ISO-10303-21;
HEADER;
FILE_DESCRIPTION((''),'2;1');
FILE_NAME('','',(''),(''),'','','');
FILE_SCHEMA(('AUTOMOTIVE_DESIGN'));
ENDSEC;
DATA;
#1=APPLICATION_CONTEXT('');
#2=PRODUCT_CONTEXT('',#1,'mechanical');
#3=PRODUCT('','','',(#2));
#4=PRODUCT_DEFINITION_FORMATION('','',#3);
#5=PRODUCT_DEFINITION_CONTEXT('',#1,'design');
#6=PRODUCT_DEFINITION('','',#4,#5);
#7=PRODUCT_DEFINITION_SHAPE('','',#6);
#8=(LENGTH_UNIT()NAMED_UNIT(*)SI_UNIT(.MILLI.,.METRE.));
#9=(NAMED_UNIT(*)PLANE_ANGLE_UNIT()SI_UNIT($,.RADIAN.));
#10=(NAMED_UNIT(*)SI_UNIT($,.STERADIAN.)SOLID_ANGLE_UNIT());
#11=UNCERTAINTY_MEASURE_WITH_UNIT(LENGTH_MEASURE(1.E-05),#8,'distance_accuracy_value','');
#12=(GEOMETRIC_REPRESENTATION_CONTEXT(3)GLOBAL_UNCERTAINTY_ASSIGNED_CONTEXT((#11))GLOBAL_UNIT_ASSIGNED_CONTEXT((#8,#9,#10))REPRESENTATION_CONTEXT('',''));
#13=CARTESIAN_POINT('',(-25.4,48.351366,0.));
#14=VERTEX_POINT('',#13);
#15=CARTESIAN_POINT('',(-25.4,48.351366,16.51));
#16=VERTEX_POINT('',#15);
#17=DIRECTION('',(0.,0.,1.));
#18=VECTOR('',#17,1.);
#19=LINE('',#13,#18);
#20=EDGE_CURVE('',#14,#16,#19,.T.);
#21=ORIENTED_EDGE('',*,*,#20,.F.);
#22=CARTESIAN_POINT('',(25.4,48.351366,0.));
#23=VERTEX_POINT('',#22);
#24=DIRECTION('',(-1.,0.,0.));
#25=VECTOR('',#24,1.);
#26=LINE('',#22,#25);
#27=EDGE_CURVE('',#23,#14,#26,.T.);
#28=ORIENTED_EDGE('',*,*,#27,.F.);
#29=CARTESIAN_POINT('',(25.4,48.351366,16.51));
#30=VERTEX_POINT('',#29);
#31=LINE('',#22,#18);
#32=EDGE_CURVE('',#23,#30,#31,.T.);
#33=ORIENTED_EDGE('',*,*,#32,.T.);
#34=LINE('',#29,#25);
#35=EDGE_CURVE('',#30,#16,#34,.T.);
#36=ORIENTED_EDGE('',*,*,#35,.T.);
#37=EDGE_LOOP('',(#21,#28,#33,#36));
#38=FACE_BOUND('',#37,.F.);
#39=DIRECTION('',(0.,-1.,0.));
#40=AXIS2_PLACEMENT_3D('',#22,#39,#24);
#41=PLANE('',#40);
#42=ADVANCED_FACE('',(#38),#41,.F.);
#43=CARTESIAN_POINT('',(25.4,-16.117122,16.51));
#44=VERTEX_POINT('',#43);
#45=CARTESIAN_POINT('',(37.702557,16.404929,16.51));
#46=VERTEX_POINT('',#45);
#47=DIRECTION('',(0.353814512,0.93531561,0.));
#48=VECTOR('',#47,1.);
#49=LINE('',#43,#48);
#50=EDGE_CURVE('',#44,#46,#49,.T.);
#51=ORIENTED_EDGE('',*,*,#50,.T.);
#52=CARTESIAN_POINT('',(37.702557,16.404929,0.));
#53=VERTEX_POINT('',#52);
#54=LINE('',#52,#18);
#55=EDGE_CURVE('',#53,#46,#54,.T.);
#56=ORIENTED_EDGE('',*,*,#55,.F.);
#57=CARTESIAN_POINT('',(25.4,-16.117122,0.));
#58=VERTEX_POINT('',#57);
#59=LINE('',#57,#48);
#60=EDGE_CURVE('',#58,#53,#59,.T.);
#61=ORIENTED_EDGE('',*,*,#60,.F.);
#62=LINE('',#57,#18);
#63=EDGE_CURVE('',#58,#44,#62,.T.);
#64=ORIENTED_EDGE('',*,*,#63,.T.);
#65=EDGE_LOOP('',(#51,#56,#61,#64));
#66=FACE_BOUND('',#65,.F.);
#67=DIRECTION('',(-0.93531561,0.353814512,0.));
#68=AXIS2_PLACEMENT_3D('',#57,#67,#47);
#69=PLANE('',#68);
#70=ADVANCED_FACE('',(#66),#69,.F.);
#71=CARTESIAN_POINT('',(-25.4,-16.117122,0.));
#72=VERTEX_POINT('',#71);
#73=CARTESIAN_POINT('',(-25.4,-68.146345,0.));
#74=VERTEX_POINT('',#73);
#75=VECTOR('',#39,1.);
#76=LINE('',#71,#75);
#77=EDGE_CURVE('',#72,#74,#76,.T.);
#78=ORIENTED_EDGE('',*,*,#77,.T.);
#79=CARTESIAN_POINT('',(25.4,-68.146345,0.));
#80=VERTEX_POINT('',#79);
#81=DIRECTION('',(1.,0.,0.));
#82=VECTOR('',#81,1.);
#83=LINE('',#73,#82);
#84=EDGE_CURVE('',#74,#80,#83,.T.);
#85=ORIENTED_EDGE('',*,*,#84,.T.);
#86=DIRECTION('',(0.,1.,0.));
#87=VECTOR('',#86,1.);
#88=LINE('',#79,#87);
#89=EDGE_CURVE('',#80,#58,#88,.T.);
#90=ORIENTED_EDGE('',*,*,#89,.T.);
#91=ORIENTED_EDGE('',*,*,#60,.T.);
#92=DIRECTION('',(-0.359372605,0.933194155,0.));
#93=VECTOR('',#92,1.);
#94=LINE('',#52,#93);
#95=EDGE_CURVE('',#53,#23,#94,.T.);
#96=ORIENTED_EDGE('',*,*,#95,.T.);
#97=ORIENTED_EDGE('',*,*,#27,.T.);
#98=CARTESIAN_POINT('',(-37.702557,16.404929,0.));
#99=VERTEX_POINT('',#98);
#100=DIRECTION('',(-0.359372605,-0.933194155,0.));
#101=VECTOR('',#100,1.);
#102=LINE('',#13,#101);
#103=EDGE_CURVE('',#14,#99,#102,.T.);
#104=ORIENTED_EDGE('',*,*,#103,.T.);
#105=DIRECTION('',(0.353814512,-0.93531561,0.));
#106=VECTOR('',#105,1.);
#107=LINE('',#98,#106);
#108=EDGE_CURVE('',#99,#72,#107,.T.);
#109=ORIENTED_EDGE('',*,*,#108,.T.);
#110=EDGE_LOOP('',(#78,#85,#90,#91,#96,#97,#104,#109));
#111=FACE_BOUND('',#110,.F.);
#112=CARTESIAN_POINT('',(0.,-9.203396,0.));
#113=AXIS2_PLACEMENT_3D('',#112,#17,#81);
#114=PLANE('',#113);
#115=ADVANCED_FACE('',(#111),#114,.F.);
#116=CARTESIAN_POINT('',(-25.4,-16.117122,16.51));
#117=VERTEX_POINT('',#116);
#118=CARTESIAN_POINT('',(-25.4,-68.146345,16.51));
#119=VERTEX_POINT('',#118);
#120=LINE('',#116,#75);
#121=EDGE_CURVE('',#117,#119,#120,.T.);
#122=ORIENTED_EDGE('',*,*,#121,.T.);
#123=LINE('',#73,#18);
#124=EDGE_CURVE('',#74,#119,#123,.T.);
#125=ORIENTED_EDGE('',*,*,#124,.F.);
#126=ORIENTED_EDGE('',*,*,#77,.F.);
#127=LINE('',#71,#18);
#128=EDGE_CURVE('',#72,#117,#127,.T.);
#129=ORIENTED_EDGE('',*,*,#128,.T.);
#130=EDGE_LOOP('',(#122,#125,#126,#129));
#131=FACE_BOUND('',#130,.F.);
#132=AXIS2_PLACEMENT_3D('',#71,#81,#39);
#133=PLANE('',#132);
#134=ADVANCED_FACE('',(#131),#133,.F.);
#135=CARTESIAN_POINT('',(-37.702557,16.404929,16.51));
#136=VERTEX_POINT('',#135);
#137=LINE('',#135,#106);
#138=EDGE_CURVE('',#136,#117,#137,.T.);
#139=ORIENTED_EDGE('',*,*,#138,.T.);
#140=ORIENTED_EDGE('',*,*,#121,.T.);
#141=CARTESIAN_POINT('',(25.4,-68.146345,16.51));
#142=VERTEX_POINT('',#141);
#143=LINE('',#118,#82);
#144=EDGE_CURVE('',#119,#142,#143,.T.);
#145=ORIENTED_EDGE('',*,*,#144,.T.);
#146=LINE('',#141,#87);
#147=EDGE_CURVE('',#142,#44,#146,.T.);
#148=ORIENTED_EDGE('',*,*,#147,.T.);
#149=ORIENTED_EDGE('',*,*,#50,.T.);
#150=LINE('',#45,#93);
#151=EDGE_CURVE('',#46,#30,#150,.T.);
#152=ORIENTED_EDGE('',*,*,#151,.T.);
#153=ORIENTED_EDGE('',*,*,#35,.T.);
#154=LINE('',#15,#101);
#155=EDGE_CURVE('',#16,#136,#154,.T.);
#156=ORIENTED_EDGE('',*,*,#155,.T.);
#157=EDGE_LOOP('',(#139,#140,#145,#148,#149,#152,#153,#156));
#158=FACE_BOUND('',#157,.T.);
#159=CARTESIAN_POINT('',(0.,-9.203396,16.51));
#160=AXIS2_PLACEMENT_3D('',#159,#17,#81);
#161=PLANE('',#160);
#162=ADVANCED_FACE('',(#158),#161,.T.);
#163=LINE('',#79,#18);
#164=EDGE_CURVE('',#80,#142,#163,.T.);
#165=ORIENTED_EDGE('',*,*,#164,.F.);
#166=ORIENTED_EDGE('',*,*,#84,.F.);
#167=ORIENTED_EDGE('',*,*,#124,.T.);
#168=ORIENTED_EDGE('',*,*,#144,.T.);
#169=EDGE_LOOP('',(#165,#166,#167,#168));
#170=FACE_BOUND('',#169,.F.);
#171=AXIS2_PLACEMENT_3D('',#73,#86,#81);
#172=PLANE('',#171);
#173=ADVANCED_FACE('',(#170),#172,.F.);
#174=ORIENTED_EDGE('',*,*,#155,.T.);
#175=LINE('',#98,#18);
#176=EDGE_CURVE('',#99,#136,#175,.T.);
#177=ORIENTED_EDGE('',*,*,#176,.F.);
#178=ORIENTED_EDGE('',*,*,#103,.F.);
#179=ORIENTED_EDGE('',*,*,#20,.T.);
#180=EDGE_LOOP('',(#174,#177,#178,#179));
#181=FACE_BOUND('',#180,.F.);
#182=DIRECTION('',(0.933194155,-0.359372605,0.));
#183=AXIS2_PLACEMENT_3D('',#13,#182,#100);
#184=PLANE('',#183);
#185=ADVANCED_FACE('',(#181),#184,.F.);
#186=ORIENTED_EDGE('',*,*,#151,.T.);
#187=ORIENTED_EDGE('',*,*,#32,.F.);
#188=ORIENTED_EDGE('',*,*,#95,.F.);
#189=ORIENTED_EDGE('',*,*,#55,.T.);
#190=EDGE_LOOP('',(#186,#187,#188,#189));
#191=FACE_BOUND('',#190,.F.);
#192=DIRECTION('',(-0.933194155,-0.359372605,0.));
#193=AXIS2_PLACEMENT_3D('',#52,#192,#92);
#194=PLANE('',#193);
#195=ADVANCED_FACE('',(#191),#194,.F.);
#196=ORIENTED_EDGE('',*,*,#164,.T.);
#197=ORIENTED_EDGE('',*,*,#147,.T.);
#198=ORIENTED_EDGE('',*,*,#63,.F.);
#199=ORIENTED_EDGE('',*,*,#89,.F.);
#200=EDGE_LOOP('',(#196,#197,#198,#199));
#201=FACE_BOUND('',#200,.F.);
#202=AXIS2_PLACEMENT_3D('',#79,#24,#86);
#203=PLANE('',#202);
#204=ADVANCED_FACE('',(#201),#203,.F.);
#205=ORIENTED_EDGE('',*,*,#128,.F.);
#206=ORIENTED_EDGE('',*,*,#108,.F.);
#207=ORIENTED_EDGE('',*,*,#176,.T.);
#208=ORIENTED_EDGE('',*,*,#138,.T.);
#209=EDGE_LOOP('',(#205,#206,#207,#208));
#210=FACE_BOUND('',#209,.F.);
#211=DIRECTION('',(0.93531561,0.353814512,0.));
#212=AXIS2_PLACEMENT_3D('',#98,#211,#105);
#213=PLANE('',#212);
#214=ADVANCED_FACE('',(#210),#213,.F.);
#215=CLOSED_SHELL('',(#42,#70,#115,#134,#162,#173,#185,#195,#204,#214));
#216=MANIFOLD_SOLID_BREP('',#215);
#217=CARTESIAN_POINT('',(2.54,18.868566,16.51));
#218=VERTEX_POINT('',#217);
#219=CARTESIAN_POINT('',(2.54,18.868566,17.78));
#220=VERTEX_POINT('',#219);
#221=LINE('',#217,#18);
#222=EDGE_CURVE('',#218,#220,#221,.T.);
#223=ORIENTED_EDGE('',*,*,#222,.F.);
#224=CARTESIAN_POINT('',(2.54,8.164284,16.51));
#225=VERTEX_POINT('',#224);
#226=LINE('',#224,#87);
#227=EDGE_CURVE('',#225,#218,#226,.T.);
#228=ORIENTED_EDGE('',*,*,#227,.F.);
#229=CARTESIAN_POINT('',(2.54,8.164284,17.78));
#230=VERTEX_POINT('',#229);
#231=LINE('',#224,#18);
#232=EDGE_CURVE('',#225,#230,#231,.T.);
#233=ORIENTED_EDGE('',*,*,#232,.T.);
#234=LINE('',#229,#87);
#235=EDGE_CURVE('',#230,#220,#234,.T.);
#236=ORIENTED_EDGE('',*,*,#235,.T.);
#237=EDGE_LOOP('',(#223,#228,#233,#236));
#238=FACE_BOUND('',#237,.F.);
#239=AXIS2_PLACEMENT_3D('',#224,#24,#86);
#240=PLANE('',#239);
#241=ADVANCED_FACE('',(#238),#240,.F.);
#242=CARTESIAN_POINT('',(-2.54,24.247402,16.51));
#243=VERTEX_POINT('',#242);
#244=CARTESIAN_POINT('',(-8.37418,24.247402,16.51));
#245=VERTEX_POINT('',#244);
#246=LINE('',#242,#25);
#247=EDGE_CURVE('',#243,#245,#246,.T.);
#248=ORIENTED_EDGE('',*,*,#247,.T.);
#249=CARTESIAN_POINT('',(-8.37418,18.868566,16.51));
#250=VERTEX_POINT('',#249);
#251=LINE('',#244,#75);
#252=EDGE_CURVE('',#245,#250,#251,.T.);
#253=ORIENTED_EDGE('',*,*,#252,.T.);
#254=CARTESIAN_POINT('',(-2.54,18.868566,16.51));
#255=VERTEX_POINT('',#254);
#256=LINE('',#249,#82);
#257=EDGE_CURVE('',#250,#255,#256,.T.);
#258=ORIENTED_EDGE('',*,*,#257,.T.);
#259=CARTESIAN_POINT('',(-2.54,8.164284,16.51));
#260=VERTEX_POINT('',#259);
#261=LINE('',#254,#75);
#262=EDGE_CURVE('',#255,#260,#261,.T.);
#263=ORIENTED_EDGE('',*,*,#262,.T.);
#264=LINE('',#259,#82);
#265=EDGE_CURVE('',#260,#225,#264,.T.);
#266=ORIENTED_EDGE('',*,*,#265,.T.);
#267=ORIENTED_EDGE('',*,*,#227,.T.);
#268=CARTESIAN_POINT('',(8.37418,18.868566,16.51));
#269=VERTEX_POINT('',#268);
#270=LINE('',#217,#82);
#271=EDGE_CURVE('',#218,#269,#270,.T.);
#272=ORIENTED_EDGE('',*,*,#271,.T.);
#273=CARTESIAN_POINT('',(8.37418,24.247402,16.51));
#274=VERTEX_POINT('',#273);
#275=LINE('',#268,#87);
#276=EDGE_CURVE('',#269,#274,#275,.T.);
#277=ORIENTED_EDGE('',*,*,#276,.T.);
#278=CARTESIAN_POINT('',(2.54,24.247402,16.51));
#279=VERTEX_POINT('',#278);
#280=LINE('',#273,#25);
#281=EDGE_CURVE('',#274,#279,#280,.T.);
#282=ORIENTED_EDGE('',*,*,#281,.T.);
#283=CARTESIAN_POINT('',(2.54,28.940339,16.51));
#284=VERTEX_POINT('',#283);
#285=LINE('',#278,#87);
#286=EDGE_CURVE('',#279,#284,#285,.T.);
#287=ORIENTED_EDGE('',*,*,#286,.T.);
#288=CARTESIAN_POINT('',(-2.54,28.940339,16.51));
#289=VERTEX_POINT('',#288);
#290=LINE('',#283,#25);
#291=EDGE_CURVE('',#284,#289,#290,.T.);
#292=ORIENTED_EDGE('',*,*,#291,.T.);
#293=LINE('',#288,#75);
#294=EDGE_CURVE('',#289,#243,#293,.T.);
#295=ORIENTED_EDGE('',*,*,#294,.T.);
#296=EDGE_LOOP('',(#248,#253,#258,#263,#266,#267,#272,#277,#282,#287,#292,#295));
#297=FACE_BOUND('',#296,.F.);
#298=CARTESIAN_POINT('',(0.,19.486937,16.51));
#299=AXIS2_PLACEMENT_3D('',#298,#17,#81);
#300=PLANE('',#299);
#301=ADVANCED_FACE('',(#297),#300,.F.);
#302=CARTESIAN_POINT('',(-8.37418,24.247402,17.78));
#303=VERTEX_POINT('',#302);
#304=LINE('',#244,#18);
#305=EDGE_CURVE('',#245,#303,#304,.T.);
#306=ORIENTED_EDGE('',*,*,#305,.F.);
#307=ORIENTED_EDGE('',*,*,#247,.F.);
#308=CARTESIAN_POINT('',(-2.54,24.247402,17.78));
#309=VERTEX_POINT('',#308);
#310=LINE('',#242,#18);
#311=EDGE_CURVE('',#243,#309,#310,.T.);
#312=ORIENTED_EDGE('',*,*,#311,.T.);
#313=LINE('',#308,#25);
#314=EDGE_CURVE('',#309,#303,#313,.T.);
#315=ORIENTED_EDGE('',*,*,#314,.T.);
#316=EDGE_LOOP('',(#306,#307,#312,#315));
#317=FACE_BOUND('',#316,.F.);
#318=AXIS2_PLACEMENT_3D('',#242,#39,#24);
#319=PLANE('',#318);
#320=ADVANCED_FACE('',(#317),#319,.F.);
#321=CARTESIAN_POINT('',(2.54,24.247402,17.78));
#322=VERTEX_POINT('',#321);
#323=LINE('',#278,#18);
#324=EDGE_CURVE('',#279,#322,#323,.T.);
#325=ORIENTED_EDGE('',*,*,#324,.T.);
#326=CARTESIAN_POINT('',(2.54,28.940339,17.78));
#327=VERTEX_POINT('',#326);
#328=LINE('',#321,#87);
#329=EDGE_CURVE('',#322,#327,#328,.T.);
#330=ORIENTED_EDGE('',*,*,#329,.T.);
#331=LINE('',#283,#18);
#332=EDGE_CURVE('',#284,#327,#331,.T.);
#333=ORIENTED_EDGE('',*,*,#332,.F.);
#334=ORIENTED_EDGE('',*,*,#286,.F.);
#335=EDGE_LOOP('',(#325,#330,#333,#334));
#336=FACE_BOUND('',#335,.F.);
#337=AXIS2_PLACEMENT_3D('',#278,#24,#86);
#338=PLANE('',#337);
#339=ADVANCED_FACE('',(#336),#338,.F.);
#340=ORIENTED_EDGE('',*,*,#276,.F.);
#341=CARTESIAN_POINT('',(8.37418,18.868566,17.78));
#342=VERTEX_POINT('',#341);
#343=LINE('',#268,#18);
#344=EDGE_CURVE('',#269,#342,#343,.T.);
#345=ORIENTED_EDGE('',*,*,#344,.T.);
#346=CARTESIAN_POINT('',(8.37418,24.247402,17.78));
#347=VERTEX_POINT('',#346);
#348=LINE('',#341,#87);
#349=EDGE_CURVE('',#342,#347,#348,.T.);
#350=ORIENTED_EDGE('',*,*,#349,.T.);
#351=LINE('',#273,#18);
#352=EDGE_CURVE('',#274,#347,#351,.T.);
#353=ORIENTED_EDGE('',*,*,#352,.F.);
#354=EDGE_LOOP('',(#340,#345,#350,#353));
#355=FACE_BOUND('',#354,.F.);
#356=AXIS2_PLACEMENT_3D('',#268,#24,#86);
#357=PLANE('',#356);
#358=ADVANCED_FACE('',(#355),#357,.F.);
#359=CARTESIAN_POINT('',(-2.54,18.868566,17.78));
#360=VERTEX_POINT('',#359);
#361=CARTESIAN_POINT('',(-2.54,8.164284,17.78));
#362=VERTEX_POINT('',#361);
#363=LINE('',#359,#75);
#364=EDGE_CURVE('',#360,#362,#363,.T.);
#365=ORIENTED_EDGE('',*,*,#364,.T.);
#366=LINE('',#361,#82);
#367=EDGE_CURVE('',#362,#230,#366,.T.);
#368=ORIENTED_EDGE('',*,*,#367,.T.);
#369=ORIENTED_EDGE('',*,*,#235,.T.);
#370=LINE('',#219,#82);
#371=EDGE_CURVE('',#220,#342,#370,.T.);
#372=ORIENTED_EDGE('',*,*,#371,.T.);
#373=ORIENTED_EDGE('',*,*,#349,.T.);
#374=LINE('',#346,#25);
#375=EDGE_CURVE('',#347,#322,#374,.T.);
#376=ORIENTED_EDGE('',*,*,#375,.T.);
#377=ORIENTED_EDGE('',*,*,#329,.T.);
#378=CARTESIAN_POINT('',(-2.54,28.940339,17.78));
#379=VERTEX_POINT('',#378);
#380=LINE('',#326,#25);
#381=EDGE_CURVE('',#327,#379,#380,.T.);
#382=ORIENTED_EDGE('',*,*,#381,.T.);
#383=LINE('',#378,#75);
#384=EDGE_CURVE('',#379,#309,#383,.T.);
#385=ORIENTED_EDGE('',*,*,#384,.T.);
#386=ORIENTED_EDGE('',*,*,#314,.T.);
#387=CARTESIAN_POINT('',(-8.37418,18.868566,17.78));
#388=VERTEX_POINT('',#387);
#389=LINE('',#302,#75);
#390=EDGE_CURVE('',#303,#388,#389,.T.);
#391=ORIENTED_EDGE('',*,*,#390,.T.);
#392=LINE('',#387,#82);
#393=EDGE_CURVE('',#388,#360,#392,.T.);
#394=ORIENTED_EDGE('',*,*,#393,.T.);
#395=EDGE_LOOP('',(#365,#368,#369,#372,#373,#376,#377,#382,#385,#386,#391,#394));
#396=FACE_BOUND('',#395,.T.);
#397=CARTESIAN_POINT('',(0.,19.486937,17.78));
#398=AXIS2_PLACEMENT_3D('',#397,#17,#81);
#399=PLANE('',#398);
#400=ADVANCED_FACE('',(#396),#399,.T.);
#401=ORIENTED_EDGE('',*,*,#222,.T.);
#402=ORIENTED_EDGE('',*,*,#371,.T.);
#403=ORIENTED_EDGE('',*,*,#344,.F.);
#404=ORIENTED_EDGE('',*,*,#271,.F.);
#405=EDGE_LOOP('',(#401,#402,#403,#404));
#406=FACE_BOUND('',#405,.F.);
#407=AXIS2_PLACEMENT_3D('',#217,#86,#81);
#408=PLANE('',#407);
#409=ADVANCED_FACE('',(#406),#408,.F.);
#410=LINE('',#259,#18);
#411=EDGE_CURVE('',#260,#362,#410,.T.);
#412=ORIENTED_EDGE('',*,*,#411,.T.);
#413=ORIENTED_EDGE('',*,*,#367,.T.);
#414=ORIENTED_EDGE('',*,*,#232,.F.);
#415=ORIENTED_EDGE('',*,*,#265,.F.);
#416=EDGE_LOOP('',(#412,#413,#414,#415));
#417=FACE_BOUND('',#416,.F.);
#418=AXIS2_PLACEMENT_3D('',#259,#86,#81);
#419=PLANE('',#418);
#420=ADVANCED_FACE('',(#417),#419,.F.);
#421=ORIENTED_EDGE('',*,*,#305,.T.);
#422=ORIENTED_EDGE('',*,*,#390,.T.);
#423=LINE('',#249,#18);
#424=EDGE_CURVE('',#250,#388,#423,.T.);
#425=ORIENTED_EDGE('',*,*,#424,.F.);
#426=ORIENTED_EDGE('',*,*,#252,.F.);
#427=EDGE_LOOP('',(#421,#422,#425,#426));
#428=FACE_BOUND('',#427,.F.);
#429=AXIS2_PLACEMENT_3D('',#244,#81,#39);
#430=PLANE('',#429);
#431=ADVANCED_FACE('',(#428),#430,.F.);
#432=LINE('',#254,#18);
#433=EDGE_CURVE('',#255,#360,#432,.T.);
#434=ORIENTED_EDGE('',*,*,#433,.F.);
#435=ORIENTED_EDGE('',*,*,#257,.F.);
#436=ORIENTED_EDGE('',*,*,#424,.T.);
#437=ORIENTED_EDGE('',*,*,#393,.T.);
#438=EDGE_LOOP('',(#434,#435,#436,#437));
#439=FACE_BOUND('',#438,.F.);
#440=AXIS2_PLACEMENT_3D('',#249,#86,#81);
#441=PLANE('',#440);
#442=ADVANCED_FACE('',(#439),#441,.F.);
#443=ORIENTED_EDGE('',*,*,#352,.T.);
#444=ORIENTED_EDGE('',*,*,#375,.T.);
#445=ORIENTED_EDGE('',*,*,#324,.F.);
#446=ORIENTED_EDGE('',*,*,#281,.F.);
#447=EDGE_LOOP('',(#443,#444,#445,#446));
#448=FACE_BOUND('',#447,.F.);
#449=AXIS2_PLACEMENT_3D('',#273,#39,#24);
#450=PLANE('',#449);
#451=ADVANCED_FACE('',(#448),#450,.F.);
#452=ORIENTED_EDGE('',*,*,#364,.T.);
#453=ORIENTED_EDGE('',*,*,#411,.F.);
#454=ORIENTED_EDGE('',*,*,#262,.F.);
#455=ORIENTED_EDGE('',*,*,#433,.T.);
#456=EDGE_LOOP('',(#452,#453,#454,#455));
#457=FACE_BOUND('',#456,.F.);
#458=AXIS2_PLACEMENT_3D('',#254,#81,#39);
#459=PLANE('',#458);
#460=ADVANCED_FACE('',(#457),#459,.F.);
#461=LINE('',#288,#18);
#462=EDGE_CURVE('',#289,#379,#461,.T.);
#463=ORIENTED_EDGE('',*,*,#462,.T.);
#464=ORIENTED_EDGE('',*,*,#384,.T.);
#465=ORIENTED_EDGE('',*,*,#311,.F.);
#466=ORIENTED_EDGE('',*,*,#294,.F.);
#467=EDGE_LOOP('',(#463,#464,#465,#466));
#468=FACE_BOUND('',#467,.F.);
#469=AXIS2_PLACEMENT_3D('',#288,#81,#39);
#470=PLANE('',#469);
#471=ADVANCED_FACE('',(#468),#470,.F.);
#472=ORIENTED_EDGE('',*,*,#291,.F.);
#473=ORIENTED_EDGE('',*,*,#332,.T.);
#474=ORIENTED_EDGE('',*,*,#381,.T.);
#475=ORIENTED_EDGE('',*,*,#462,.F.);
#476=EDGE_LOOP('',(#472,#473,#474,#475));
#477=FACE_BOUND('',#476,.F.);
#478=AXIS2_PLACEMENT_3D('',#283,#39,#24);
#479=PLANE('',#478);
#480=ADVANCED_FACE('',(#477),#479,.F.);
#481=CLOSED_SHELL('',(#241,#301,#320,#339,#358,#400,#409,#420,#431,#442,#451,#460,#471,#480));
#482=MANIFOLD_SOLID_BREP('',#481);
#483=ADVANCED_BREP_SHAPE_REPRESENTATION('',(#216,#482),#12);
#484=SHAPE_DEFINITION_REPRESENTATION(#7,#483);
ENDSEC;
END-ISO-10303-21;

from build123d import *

# Parameters (mm, degrees)
F1_DEPTH = 16.51
F3_DEPTH = 1.27


with BuildPart() as f1:
    # F0 (on Top) → F1 (new body)
    with BuildSketch(Plane.XY):
        Polygon((-25.4, -68.146345), (0, -68.146345), (25.4, -68.146345), (25.4, -16.117122), (37.702557, 16.404929), (25.4, 48.351366), (-25.4, 48.351366), (-37.702557, 16.404929), (-25.4, -16.117122), align=None)
    extrude(amount=F1_DEPTH)


with BuildPart() as f3:
    # F2 (on face) → F3 (new body)
    with BuildSketch(Plane.XY.offset(16.51)):
        Polygon((-2.54, 8.164284), (0, 8.164284), (2.54, 8.164284), (2.54, 18.868566), (8.37418, 18.868566), (8.37418, 24.247402), (2.54, 24.247402), (2.54, 28.940339), (-2.54, 28.940339), (-2.54, 24.247402), (-8.37418, 24.247402), (-8.37418, 18.868566), (-2.54, 18.868566), align=None)
    extrude(amount=F3_DEPTH)


solid = Compound([f1.part, f3.part])
